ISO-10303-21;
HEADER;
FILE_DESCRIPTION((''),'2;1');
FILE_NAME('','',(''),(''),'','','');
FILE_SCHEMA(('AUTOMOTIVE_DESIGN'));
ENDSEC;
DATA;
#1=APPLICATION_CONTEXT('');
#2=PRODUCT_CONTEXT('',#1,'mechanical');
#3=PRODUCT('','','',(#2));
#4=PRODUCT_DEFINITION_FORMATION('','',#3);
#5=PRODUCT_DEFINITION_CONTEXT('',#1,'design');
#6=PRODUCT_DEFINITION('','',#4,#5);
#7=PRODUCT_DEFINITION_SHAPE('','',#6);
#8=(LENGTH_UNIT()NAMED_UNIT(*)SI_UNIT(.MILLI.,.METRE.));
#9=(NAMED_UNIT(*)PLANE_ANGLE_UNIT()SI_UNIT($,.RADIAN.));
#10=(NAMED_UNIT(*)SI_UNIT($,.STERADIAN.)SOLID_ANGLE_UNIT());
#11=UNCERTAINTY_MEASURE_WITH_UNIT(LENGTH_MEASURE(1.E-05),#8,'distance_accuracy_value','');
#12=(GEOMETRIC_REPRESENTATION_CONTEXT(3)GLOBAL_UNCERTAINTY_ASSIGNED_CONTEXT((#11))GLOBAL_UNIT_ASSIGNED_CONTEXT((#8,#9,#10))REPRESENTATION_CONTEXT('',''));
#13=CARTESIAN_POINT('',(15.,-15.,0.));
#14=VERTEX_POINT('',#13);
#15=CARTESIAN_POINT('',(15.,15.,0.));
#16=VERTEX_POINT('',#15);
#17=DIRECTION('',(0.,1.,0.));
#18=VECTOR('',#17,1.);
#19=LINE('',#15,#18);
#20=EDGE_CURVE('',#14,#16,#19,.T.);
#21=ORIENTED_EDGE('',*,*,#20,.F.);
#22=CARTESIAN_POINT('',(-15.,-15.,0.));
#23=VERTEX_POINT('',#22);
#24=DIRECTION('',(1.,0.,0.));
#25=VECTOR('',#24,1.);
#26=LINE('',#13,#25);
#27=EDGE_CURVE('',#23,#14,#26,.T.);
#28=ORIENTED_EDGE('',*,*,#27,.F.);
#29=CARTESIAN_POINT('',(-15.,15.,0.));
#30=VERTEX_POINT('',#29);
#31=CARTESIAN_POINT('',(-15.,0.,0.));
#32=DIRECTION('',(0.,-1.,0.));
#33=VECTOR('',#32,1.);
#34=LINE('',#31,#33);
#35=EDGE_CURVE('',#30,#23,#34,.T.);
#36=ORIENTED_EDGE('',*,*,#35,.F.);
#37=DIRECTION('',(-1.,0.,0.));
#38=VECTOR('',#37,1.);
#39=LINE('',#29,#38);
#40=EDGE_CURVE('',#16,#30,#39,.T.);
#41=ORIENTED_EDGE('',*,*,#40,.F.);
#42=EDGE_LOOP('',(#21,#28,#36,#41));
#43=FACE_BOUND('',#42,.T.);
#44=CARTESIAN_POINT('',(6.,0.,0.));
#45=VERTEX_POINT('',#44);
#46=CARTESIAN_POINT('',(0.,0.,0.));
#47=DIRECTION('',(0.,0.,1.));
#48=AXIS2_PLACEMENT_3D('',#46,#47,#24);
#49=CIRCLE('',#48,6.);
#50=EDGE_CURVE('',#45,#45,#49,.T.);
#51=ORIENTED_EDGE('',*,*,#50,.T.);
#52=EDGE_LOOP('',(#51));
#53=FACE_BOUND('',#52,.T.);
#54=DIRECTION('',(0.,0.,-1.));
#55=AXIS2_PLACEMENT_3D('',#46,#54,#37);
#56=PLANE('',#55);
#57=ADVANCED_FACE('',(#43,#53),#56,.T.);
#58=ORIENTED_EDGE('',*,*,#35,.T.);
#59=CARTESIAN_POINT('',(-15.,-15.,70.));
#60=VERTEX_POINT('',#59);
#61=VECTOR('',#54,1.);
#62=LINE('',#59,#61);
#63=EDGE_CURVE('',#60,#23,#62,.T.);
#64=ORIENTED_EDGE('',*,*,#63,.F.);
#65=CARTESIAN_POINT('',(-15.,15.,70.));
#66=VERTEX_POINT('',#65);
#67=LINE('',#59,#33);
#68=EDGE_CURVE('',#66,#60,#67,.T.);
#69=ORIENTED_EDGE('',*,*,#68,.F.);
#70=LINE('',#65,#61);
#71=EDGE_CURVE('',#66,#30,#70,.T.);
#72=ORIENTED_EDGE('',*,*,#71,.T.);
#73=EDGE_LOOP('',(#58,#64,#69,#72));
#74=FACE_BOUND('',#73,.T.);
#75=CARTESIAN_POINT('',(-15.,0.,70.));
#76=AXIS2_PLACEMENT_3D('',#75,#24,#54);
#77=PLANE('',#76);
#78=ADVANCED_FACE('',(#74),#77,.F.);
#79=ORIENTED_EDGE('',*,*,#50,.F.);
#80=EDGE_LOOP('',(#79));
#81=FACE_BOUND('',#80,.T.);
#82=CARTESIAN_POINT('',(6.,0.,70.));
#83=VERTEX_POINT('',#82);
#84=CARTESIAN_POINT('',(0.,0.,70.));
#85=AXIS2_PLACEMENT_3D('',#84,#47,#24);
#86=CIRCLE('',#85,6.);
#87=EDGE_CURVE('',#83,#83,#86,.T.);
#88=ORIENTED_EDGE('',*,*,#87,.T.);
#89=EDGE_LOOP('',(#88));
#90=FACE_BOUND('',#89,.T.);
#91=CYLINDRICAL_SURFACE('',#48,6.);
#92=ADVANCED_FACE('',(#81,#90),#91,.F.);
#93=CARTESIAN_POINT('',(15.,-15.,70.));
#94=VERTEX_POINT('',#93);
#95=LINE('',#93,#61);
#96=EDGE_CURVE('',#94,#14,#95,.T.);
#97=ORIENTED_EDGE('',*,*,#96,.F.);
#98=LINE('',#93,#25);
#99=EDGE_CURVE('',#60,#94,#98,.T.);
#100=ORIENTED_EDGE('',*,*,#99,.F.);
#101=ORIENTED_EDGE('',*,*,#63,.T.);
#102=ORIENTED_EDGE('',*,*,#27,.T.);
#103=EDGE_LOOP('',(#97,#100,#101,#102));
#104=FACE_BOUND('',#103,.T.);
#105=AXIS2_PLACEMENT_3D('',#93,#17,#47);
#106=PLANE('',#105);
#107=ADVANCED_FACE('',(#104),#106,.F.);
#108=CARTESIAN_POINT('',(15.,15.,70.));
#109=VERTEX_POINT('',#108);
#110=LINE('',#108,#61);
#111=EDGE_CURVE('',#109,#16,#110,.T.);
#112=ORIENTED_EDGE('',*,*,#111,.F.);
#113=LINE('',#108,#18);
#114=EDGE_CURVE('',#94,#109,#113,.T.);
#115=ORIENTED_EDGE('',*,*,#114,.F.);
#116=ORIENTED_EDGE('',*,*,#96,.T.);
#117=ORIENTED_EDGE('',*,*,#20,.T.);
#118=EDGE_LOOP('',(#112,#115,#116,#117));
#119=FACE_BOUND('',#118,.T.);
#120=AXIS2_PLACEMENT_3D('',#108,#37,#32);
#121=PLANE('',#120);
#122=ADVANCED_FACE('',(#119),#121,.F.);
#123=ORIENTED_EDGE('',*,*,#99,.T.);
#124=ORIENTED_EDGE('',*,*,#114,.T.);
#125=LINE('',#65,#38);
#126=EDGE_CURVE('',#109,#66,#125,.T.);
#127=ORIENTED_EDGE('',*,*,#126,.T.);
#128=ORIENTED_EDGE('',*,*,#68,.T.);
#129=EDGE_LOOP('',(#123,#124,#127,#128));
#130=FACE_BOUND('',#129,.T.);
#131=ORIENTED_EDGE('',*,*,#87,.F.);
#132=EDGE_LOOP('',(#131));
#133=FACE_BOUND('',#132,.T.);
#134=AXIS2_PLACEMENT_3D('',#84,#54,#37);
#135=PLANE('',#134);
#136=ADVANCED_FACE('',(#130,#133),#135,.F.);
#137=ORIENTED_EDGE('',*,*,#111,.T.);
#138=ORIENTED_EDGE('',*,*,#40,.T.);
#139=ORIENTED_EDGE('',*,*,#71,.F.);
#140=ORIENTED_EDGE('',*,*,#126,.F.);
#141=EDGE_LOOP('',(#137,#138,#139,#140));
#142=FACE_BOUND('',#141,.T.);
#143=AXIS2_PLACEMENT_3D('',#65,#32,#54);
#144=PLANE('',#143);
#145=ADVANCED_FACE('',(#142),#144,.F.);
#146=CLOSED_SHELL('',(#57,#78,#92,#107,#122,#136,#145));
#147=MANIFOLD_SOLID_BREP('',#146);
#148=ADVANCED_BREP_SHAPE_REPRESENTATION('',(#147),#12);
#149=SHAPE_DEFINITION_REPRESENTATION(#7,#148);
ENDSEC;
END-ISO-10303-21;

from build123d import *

# Parameters (mm, degrees)
BOSS_EXTRUDE1_DEPTH = 70
SKETCH2_R           = 6
CUT_EXTRUDE1_DEPTH  = 74.143694192


with BuildPart() as part:
    # Sketch1 → Boss-Extrude1 (new body)
    with BuildSketch(Plane.XY):
        Polygon((-15, 0), (-15, 15), (15, 15), (15, -15), (-15, -15), align=None)
    extrude(amount=BOSS_EXTRUDE1_DEPTH)

    # Sketch2 → Cut-Extrude1 (cut, through all)
    with BuildSketch(Plane.XY.offset(70)):
        Circle(SKETCH2_R)
    extrude(amount=-CUT_EXTRUDE1_DEPTH, mode=Mode.SUBTRACT)


solid = part.part
